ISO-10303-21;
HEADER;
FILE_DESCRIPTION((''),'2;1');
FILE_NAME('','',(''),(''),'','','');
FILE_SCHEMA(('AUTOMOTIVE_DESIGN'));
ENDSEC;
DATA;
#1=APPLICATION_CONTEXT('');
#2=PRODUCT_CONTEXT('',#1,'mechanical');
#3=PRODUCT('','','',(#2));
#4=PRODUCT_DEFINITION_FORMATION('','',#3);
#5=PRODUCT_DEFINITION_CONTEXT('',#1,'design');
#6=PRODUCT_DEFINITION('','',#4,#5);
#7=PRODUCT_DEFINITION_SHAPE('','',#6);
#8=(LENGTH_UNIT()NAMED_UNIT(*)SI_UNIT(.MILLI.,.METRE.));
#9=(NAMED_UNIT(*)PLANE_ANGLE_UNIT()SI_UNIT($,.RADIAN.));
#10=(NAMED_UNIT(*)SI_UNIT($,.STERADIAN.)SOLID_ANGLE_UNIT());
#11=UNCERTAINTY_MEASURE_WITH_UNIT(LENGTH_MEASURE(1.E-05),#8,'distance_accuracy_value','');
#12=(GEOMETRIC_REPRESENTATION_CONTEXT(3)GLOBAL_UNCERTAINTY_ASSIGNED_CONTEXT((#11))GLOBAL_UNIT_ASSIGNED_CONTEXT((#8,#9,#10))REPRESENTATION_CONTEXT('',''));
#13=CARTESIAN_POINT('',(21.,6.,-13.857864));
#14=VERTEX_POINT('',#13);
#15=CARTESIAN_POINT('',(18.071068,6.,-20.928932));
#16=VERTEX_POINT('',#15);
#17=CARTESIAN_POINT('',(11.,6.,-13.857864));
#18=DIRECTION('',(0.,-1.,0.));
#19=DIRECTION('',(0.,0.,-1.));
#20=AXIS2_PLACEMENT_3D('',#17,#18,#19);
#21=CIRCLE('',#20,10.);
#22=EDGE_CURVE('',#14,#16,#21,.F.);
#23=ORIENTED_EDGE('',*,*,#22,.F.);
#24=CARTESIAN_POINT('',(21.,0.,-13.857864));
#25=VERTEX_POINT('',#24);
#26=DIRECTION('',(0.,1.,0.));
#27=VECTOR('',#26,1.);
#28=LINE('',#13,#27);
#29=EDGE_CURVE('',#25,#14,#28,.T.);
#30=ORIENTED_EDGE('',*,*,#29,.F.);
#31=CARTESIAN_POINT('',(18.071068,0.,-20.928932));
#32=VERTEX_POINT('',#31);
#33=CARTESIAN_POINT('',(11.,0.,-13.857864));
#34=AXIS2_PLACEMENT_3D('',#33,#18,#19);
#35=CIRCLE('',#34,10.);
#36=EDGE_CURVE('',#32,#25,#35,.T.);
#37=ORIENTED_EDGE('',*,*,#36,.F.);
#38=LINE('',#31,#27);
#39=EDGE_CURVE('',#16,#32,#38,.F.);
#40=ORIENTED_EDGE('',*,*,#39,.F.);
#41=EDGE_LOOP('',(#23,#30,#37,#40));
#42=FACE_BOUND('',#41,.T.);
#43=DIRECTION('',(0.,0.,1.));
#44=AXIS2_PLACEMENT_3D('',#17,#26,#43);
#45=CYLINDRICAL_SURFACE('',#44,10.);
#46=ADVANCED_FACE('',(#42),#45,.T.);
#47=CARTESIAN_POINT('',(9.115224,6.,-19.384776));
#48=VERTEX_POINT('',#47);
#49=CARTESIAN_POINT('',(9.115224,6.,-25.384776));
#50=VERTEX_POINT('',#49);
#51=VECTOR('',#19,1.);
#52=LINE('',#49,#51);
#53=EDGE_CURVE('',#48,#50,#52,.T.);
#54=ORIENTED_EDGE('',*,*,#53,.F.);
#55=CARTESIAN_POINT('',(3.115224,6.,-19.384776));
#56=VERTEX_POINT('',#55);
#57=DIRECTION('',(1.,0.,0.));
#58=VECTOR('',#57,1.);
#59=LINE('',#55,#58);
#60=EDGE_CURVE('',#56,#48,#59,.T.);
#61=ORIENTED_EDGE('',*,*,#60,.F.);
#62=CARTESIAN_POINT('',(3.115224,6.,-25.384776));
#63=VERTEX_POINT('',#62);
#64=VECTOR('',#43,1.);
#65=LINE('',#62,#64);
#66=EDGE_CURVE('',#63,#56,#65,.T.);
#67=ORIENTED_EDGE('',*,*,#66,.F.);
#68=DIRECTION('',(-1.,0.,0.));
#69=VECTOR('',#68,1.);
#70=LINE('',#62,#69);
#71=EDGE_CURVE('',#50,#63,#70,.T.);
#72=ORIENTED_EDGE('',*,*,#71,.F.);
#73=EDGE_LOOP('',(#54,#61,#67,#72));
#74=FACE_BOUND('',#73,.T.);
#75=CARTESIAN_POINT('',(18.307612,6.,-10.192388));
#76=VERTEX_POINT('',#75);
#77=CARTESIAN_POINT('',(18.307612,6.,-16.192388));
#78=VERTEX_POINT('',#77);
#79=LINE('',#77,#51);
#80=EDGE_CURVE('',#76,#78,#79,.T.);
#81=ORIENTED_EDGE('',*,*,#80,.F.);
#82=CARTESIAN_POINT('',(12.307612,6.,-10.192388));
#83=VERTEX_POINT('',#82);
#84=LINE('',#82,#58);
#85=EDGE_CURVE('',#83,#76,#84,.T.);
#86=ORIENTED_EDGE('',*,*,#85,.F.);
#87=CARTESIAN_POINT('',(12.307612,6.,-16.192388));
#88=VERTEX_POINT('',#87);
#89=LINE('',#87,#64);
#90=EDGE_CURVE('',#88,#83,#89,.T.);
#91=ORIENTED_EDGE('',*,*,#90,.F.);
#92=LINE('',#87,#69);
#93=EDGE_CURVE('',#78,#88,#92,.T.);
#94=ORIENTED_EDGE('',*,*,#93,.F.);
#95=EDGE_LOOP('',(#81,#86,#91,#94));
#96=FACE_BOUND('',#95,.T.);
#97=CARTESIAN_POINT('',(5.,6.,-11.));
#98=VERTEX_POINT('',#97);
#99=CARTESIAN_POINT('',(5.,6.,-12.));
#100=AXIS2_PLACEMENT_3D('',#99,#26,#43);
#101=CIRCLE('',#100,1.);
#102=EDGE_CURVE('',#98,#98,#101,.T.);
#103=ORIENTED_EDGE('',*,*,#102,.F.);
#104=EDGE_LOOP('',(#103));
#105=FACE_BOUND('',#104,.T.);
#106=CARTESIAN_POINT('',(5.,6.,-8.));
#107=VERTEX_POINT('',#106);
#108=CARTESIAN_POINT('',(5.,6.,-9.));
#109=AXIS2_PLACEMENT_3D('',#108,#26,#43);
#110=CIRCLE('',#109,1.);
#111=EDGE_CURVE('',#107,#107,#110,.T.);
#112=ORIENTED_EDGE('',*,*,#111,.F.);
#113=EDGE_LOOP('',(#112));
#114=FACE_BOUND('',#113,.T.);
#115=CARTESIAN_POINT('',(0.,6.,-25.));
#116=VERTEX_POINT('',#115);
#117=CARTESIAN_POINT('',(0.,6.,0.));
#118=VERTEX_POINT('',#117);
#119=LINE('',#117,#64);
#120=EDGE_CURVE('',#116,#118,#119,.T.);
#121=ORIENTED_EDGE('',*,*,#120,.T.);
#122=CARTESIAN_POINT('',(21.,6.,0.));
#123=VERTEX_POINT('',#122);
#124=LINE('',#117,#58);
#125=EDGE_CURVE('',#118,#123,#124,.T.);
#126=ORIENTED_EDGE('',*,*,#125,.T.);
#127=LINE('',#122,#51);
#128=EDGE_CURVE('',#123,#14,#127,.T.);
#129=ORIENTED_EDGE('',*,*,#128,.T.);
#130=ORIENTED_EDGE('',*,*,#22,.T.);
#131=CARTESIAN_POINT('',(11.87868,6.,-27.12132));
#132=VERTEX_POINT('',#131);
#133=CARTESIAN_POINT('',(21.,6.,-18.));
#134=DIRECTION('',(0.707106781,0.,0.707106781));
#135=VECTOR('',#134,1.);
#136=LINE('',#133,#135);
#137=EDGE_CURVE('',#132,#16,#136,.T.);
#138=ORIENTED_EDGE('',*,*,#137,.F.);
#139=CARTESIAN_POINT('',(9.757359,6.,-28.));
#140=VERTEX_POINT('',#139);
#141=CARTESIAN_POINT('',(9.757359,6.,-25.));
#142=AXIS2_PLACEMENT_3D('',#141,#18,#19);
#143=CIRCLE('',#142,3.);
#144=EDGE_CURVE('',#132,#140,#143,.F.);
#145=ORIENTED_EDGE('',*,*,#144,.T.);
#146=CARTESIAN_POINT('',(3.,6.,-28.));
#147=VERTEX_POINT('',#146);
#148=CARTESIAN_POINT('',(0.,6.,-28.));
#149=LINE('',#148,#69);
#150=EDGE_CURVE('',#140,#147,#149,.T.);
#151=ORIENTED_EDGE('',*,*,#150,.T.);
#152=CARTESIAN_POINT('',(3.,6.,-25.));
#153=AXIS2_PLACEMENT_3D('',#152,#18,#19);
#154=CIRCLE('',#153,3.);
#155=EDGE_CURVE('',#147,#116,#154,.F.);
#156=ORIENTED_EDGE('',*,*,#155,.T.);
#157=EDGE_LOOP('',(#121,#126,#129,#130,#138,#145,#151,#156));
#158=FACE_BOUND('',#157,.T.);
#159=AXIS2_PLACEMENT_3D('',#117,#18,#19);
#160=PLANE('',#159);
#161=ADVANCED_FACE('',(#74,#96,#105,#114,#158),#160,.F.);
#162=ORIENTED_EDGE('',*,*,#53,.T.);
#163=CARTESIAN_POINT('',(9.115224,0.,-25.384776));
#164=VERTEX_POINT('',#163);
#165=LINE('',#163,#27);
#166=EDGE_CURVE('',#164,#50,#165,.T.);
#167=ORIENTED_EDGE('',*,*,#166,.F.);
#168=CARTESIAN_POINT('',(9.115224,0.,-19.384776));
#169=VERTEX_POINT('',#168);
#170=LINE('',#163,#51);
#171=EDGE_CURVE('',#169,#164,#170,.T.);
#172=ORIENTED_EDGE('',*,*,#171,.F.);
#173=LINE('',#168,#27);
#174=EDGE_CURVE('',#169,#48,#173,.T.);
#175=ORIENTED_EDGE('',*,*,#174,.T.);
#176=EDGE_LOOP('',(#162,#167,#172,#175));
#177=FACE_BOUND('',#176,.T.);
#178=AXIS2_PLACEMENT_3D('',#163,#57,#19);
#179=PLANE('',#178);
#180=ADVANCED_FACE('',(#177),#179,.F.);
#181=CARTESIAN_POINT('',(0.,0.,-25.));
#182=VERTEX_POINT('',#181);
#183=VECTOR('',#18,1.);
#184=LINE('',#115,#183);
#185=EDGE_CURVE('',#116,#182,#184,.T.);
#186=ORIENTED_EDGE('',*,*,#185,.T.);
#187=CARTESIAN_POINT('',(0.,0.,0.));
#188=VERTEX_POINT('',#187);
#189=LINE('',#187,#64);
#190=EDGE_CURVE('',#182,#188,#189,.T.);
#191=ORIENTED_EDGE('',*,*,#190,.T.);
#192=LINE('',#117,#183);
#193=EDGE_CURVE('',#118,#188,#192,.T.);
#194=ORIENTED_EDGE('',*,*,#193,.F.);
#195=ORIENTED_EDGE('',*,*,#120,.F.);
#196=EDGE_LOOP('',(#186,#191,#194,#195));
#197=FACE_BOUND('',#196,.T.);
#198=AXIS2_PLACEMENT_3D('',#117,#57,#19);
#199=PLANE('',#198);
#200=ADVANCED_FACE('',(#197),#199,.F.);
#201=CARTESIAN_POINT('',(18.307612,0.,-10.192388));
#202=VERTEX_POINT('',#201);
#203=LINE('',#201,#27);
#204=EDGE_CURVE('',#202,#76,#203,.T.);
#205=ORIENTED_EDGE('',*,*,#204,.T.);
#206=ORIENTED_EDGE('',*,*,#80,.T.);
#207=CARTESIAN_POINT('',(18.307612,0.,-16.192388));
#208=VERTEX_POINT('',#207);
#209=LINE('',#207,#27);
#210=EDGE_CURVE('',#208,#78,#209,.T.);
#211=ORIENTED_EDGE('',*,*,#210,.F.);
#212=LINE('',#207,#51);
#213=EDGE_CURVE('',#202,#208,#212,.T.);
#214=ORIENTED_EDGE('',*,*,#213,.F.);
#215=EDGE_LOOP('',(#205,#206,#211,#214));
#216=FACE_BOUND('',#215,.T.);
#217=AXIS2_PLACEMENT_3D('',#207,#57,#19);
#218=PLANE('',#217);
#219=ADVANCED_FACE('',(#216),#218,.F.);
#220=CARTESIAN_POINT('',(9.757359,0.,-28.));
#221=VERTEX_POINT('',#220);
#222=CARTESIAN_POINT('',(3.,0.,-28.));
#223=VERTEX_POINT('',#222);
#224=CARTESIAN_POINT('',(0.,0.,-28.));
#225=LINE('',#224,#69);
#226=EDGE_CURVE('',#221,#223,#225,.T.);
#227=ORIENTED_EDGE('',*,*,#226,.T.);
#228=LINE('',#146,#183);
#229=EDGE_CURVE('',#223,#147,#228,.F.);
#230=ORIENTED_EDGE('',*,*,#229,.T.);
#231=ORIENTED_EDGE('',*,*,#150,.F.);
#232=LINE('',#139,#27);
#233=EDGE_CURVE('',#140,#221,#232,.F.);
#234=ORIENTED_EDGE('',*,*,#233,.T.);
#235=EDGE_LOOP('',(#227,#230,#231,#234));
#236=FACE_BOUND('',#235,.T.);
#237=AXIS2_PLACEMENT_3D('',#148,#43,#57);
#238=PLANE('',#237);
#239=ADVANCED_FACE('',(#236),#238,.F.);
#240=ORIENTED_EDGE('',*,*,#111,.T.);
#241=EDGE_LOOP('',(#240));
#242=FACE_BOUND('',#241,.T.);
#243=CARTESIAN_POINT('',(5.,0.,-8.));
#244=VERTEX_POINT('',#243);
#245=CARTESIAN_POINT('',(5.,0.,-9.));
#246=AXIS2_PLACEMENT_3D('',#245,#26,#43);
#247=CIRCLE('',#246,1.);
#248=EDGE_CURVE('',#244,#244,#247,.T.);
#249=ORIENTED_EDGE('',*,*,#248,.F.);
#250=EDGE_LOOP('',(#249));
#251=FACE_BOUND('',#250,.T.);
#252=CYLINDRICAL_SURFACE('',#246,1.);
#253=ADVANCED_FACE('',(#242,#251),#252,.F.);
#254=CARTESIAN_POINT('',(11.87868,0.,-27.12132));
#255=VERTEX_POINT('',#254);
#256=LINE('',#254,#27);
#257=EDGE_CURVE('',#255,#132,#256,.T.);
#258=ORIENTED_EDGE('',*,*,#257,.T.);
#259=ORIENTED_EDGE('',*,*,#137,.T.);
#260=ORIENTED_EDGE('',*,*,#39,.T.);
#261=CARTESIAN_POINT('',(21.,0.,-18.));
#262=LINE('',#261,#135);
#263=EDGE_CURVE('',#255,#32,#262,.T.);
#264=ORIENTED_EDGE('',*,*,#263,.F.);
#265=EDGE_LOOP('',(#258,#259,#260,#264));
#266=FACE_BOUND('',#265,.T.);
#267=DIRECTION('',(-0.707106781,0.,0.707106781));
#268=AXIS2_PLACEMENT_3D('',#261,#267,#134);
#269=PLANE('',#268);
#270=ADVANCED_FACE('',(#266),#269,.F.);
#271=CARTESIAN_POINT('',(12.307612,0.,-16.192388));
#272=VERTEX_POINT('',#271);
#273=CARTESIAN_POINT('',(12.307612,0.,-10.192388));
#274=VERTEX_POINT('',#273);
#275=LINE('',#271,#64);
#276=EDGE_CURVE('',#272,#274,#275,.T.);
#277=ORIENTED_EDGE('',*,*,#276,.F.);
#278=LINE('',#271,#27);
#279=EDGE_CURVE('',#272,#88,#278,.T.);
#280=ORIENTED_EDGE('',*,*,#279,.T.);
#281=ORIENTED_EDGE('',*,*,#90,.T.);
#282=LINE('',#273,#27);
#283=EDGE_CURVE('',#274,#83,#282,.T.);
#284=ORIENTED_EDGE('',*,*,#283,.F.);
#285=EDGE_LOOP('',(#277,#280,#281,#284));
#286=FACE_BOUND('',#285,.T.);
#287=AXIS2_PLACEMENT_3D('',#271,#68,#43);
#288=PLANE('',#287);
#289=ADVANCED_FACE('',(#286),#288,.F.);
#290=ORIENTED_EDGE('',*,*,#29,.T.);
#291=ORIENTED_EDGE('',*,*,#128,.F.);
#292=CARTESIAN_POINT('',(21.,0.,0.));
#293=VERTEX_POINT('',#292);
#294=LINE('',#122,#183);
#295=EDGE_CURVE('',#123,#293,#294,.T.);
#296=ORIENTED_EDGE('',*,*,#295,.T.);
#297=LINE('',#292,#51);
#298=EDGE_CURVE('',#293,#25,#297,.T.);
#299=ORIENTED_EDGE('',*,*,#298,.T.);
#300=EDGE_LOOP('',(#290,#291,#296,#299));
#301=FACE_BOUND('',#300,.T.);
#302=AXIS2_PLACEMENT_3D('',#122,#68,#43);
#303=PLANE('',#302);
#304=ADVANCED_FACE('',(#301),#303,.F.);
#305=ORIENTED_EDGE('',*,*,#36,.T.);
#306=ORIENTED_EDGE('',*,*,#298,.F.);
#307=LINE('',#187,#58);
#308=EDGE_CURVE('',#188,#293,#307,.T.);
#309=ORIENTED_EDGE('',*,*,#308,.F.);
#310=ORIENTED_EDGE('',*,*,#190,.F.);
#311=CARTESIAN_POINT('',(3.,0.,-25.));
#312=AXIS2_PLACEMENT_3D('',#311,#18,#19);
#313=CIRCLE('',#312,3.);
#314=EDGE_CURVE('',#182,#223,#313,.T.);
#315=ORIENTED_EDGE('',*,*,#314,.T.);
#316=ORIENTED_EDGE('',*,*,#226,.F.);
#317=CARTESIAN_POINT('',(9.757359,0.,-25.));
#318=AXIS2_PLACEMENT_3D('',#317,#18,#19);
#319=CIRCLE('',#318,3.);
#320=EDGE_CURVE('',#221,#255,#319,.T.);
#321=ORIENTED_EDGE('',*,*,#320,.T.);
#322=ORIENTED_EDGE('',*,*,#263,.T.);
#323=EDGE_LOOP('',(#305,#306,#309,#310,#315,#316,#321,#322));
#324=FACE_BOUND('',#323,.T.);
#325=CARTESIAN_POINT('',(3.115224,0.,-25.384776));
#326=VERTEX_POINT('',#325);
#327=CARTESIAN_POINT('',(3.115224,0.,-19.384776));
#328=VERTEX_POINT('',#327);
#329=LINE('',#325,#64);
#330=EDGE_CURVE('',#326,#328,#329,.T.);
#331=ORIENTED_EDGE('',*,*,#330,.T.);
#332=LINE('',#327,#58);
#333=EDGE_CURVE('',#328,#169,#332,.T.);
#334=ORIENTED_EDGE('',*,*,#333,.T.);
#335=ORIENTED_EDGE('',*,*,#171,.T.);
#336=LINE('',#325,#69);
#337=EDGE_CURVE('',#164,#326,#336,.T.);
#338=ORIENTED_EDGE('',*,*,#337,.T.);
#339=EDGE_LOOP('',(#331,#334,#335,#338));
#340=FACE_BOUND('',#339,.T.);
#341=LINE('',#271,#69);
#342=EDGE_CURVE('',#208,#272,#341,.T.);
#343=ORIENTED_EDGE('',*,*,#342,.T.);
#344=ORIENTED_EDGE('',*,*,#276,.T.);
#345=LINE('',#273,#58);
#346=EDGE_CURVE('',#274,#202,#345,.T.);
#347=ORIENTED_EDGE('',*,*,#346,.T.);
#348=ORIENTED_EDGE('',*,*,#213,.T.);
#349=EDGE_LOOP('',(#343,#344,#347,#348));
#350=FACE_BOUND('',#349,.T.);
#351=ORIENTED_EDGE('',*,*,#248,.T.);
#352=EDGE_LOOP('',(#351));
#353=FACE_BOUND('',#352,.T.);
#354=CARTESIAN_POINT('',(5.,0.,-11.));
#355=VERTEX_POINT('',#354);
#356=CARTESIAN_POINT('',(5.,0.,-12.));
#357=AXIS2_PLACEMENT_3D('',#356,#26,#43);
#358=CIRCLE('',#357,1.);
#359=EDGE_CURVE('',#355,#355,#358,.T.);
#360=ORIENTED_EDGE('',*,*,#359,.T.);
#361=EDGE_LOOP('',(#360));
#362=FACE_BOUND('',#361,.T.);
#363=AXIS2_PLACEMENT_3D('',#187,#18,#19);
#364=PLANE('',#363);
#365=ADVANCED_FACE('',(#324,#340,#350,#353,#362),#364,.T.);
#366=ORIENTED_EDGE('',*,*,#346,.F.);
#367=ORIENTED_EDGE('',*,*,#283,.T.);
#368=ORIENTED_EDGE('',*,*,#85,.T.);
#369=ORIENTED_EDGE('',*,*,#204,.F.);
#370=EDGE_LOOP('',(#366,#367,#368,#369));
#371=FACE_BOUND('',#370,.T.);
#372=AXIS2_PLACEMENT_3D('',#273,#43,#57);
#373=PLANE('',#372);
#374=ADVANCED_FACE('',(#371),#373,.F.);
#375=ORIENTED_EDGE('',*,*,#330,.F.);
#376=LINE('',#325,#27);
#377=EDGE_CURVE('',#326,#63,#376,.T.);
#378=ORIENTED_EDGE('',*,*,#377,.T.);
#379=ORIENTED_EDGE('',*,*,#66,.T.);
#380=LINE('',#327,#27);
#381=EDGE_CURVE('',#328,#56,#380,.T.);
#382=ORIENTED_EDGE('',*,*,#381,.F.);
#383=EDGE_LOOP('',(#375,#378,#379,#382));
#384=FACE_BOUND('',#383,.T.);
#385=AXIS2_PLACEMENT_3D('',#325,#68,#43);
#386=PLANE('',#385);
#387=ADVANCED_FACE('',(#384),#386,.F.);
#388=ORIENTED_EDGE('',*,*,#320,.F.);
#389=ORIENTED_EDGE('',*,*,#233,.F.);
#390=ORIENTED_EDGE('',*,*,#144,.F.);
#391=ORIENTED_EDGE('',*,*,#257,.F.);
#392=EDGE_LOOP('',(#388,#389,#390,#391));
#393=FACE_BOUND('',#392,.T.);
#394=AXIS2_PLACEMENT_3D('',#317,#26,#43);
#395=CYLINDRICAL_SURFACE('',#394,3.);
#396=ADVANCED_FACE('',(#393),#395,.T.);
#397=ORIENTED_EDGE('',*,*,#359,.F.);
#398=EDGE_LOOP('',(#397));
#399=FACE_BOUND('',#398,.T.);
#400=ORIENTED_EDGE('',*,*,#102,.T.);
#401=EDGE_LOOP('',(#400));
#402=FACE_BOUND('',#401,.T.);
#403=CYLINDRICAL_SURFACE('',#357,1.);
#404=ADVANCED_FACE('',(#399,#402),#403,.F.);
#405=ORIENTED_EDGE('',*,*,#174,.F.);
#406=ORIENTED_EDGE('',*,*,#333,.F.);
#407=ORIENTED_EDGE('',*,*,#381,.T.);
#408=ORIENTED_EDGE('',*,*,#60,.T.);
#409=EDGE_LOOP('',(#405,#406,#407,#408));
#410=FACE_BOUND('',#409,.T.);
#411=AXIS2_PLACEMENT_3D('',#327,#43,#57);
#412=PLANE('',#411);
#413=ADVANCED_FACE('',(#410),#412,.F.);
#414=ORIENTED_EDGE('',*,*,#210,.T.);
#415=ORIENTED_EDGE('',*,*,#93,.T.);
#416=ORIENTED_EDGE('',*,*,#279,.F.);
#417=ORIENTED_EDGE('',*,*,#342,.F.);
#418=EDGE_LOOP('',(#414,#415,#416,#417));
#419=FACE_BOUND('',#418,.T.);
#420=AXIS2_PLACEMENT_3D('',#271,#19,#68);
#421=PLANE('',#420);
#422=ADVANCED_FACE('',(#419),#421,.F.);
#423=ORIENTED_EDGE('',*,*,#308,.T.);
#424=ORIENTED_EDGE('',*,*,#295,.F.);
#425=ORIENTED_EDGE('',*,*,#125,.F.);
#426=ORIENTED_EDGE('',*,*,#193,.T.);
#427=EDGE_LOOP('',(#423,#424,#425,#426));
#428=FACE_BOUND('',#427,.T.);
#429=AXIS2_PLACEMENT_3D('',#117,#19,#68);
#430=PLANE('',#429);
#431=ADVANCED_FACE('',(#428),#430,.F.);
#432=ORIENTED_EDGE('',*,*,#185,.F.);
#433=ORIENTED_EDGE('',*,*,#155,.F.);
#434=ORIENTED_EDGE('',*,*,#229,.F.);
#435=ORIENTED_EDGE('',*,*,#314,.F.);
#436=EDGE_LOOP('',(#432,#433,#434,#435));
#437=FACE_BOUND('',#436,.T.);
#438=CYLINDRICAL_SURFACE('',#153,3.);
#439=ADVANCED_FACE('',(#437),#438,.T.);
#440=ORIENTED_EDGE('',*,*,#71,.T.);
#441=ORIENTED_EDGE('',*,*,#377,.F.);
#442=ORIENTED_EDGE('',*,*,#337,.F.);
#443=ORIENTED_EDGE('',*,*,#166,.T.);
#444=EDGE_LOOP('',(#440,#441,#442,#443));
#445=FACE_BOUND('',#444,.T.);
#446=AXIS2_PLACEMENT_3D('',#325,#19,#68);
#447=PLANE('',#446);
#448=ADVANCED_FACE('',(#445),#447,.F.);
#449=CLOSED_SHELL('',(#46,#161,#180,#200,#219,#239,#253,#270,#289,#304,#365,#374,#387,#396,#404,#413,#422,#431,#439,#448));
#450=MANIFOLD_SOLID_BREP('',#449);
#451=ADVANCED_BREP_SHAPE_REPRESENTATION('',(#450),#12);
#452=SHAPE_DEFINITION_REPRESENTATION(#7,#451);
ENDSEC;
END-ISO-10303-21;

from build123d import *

# Parameters (mm, degrees)
BOSS_EXTRUDE1_DEPTH = 6
SKETCH2_W           = 5
SKETCH2_H           = 5
CUT_EXTRUDE1_DEPTH  = 40.357337308
CUT_EXTRUDE2_DEPTH  = 40.357337308
SKETCH6_W           = 6
SKETCH6_H           = 6
CUT_EXTRUDE5_DEPTH  = 36.510561809
FILLET1_R           = 10
FILLET2_R           = 3
SKETCH5_R           = 1
CUT_EXTRUDE3_DEPTH  = 36.510561809


with BuildPart() as part:
    # Sketch1 → Boss-Extrude1 (new body)
    with BuildSketch(Plane(origin=(0, 0, 0), x_dir=(1, 0, 0), z_dir=(0, 1, 0))):
        Polygon((21, 0), (21, 9), (27, 9), (27, 28), (0, 28), (0, 0), align=None)
    extrude(amount=BOSS_EXTRUDE1_DEPTH)

    # Sketch2 → Cut-Extrude1 (cut, through all)
    with BuildSketch(Plane(origin=(0, 6, 0), x_dir=(1, 0, 0), z_dir=(0, 1, 0))):
        with Locations((5.615223689, 22.884776311)):
            Rectangle(SKETCH2_W, SKETCH2_H)
        with Locations((14.807611845, 13.692388155)):
            Rectangle(SKETCH2_W, SKETCH2_H)
    extrude(amount=-CUT_EXTRUDE1_DEPTH, mode=Mode.SUBTRACT)

    # Sketch3 → Cut-Extrude2 (cut, through all)
    with BuildSketch(Plane(origin=(0, 6, 0), x_dir=(1, 0, 0), z_dir=(0, 1, 0))):
        Polygon((21, 18), (11, 28), (33.43673633, 34.250964333), (36.08047681, 3.383507916), (21, 9), align=None)
    extrude(amount=-CUT_EXTRUDE2_DEPTH, mode=Mode.SUBTRACT)

    # Sketch6 → Cut-Extrude5 (cut, through all)
    with BuildSketch(Plane(origin=(0, 6, 0), x_dir=(1, 0, 0), z_dir=(0, 1, 0))):
        with Locations((6.115223689, 22.384776311)):
            Rectangle(SKETCH6_W, SKETCH6_H)
        with Locations((15.307611845, 13.192388155)):
            Rectangle(SKETCH6_W, SKETCH6_H)
    extrude(amount=-CUT_EXTRUDE5_DEPTH, mode=Mode.SUBTRACT)

    # Fillet1
    fillet1_edges = [part.edges().sort_by_distance(p)[0] for p in [
        (21, 3, -18),
    ]]
    fillet(fillet1_edges, radius=FILLET1_R)

    # Fillet2
    fillet2_edges = [part.edges().sort_by_distance(p)[0] for p in [
        (0, 3, -28),
        (11, 3, -28),
    ]]
    fillet(fillet2_edges, radius=FILLET2_R)

    # Sketch5 → Cut-Extrude3 (cut, through all)
    with BuildSketch(Plane(origin=(0, 6, 0), x_dir=(1, 0, 0), z_dir=(0, 1, 0))):
        with Locations(Location((5, 12, 0), (0, 0, 270))):
            Circle(SKETCH5_R)
        with Locations(Location((5, 9, 0), (0, 0, 270))):
            Circle(SKETCH5_R)
    extrude(amount=-CUT_EXTRUDE3_DEPTH, mode=Mode.SUBTRACT)


solid = part.part
